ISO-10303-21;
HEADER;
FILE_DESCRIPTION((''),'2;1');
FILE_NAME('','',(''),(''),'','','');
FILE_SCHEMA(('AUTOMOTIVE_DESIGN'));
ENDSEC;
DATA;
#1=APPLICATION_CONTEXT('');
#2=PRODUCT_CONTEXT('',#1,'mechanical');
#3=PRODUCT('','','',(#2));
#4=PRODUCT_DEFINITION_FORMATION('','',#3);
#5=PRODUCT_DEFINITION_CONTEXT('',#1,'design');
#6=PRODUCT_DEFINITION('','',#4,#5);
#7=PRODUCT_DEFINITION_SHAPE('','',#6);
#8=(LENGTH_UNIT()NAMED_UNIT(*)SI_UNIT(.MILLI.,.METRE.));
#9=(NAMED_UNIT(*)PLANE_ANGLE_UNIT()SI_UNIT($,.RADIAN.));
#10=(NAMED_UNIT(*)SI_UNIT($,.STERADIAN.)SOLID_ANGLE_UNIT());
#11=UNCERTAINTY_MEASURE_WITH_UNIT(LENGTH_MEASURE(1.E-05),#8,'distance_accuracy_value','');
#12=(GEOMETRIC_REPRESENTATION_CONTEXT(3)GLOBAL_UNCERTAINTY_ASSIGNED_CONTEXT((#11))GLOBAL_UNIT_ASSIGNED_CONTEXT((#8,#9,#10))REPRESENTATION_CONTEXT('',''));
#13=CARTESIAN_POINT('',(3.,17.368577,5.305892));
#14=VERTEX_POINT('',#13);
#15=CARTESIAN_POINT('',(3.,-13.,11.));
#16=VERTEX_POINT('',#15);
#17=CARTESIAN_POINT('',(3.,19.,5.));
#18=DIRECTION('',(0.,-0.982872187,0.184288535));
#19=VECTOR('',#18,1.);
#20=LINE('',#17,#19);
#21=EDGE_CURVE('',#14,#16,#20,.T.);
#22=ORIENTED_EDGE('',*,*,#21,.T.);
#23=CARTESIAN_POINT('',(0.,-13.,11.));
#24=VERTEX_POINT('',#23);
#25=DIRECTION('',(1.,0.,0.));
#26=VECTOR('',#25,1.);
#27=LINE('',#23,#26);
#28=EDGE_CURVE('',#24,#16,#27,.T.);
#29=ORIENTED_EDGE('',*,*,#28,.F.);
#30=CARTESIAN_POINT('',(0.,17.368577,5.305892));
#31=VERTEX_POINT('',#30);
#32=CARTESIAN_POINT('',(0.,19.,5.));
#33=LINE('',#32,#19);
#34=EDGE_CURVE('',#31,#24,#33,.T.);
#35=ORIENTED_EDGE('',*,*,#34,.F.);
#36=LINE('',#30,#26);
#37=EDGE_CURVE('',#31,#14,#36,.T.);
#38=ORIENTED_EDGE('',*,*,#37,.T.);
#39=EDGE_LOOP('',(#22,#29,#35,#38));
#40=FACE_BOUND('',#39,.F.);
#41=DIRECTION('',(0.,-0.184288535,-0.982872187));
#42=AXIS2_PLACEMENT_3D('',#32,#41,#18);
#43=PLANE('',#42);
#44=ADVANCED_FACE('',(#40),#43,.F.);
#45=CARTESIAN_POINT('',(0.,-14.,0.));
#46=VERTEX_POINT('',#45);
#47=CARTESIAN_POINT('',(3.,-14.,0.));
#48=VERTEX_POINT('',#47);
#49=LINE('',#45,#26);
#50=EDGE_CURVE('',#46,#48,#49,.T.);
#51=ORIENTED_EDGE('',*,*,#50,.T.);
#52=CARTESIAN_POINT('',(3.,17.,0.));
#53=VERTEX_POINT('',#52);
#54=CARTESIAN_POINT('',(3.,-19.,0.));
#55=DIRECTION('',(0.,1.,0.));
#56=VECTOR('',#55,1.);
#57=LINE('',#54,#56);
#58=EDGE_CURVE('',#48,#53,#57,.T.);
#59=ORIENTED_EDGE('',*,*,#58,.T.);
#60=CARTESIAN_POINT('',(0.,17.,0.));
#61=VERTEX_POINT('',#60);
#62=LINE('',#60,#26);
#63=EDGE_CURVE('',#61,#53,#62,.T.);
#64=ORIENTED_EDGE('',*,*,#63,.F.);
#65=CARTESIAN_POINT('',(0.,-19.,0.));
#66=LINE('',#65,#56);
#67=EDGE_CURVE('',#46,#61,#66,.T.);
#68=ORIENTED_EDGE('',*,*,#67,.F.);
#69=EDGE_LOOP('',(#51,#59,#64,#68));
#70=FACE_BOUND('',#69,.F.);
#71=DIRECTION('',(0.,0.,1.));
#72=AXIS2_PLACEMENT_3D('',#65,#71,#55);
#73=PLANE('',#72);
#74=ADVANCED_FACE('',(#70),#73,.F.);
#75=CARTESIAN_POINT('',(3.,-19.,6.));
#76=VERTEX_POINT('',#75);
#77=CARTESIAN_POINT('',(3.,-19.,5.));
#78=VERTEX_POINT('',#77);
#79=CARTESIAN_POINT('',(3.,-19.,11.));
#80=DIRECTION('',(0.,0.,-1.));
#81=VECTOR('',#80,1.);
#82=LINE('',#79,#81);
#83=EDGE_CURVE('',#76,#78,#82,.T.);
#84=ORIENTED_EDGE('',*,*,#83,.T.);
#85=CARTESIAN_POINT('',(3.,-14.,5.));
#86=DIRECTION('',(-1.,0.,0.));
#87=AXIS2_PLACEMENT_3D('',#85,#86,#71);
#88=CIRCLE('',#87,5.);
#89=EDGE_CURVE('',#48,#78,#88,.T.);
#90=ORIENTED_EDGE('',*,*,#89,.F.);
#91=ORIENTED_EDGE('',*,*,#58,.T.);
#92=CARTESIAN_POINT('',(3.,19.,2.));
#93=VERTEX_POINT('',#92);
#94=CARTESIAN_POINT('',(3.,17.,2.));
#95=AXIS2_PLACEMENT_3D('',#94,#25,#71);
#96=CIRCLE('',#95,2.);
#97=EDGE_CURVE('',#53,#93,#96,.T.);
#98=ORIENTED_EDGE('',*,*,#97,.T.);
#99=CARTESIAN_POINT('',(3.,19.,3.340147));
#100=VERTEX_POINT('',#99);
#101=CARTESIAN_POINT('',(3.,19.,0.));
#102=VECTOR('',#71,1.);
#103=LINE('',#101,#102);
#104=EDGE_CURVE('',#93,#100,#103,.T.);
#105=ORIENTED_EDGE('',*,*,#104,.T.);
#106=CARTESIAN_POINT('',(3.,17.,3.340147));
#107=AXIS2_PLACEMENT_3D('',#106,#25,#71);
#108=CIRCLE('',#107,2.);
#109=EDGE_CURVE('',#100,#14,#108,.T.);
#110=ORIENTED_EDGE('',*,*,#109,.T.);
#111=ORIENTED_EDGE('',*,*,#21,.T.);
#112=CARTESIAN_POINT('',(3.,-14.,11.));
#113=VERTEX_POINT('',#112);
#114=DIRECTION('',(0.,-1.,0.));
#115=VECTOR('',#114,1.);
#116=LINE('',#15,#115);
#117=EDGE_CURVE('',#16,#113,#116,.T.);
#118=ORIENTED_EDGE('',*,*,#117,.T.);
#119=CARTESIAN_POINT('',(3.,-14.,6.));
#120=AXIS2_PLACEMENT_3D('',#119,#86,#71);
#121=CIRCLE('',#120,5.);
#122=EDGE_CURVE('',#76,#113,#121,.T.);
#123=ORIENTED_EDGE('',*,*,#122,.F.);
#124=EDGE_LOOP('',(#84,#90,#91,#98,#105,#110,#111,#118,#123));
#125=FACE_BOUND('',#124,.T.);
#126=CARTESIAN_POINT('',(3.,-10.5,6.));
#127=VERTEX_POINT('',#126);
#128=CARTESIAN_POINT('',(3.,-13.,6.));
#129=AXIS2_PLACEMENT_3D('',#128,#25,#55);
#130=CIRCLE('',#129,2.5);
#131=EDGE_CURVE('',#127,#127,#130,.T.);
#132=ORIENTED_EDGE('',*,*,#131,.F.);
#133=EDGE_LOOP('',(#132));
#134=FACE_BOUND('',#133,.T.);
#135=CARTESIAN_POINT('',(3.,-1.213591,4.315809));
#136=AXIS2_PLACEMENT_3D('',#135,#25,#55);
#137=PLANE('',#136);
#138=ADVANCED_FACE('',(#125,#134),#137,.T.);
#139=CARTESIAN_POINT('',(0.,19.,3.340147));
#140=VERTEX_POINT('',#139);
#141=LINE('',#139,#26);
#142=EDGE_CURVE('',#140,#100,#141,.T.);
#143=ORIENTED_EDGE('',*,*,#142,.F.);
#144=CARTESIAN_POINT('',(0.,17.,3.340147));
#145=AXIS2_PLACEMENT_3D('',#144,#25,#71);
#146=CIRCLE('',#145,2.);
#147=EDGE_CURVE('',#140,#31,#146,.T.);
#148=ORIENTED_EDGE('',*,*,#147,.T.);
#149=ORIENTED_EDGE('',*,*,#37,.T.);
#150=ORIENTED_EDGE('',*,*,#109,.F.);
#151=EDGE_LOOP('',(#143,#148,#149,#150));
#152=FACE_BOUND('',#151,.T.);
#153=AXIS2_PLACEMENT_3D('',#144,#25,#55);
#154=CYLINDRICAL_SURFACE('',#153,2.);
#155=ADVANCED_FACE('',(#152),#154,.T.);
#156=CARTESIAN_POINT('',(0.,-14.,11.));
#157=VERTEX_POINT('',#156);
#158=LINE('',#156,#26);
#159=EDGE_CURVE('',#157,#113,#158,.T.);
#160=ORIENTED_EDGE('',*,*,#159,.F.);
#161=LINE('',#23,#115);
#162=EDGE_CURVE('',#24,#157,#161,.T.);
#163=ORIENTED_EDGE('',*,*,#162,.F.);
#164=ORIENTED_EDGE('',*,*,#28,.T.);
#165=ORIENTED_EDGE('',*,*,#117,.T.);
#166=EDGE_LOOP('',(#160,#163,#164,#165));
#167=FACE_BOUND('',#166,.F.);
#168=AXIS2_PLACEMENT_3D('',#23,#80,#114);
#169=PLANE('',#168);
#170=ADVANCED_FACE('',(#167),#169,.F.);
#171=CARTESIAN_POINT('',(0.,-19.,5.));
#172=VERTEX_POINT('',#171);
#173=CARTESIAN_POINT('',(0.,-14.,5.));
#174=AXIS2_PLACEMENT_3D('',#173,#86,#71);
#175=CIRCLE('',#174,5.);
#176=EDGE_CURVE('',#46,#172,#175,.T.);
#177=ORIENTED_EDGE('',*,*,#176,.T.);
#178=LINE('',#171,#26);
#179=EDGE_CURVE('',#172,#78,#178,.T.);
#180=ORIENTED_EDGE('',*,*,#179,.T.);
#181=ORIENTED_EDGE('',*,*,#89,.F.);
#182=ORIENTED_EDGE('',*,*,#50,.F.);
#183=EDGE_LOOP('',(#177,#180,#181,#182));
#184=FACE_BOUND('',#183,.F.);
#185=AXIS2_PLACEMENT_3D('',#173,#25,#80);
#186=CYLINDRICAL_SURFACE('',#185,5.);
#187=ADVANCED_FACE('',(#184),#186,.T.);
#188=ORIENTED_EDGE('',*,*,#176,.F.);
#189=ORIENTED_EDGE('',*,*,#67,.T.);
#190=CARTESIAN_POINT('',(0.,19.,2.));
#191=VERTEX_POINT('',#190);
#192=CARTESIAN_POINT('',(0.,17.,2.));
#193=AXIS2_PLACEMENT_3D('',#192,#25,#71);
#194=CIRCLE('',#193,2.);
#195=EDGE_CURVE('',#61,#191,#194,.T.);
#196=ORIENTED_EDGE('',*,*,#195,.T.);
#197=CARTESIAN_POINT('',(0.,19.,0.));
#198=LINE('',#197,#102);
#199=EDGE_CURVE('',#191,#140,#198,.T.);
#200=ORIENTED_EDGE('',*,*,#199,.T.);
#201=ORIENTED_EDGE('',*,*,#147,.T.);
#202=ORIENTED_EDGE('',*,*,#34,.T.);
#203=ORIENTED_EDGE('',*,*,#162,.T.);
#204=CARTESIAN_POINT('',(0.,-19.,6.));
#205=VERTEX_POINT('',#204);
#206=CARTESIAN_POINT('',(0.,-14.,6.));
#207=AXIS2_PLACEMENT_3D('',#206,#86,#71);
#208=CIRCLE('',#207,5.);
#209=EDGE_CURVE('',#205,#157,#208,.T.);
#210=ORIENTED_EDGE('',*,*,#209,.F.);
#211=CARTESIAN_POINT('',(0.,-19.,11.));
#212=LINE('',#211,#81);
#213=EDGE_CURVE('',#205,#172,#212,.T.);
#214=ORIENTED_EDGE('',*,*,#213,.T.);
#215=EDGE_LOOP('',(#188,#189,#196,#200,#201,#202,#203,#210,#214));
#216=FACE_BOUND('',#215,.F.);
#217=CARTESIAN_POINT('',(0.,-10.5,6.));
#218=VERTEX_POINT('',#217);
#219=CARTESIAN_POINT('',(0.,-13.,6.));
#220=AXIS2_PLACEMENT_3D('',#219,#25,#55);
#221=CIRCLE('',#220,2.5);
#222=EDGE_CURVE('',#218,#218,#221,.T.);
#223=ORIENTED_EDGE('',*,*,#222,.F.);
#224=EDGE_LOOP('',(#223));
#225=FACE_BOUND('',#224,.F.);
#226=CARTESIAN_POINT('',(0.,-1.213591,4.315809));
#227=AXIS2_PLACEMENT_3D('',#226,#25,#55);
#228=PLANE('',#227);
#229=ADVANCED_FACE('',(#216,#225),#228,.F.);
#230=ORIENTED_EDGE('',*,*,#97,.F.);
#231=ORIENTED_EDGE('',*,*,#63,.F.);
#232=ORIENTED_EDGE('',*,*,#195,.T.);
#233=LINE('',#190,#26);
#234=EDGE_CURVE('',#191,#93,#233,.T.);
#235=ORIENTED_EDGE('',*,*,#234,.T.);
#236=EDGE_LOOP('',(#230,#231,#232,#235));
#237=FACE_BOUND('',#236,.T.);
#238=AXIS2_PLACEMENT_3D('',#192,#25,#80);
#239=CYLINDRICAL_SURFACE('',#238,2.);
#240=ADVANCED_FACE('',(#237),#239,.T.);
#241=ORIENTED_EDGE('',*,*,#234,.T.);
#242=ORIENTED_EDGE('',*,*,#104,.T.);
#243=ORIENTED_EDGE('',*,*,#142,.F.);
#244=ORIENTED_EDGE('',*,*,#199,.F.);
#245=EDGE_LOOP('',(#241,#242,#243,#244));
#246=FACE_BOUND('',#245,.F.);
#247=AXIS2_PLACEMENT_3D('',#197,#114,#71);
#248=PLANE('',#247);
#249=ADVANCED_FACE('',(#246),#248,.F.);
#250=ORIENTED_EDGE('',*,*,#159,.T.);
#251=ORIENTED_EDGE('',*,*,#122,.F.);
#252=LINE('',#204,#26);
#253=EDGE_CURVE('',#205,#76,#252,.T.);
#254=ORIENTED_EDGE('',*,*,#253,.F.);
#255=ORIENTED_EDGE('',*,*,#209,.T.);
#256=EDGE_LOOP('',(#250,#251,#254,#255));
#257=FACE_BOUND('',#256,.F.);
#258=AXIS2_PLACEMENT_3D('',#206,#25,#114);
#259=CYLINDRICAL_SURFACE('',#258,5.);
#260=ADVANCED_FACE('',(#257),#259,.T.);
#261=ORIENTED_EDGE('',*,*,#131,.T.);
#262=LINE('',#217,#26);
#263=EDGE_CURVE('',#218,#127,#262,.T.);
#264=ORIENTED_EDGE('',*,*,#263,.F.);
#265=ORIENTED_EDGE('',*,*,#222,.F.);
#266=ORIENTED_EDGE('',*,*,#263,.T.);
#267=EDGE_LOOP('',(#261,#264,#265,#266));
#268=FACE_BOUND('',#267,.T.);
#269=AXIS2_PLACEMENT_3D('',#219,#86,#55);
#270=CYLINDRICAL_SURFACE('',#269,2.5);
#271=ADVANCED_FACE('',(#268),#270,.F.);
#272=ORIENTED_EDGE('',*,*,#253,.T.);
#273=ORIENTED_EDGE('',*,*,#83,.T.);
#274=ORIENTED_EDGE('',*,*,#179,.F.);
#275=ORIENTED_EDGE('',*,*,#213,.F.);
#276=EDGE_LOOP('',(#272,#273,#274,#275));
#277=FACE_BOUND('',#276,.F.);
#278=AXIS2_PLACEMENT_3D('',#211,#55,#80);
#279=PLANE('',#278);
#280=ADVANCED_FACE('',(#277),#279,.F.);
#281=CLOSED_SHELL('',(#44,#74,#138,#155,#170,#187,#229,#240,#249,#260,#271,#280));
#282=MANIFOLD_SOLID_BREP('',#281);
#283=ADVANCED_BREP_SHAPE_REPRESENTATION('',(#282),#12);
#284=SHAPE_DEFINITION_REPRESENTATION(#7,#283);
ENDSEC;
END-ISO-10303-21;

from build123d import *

# Parameters (mm, degrees)
F0_R     = 2.5
F1_DEPTH = 3
F2_R     = 2
F3_R     = 5
F4_R     = 2


with BuildPart() as f1:
    # F0 (on Right) → F1 (new body)
    with BuildSketch(Plane.YZ):
        Polygon((-19, 11), (-19, 0), (19, 0), (19, 5), (-13, 11), align=None)
        with Locations((-13, 6)):
            Circle(F0_R, mode=Mode.SUBTRACT)
    extrude(amount=F1_DEPTH)

    # F2
    f2_edges = [f1.edges().sort_by_distance(p)[0] for p in [
        (1.5, 19, 0),
    ]]
    fillet(f2_edges, radius=F2_R)

    # F3
    f3_edges = [f1.edges().sort_by_distance(p)[0] for p in [
        (1.5, -19, 11),
        (1.5, -19, 0),
    ]]
    fillet(f3_edges, radius=F3_R)

    # F4
    f4_edges = [f1.edges().sort_by_distance(p)[0] for p in [
        (1.5, 19, 5),
    ]]
    fillet(f4_edges, radius=F4_R)


solid = f1.part
